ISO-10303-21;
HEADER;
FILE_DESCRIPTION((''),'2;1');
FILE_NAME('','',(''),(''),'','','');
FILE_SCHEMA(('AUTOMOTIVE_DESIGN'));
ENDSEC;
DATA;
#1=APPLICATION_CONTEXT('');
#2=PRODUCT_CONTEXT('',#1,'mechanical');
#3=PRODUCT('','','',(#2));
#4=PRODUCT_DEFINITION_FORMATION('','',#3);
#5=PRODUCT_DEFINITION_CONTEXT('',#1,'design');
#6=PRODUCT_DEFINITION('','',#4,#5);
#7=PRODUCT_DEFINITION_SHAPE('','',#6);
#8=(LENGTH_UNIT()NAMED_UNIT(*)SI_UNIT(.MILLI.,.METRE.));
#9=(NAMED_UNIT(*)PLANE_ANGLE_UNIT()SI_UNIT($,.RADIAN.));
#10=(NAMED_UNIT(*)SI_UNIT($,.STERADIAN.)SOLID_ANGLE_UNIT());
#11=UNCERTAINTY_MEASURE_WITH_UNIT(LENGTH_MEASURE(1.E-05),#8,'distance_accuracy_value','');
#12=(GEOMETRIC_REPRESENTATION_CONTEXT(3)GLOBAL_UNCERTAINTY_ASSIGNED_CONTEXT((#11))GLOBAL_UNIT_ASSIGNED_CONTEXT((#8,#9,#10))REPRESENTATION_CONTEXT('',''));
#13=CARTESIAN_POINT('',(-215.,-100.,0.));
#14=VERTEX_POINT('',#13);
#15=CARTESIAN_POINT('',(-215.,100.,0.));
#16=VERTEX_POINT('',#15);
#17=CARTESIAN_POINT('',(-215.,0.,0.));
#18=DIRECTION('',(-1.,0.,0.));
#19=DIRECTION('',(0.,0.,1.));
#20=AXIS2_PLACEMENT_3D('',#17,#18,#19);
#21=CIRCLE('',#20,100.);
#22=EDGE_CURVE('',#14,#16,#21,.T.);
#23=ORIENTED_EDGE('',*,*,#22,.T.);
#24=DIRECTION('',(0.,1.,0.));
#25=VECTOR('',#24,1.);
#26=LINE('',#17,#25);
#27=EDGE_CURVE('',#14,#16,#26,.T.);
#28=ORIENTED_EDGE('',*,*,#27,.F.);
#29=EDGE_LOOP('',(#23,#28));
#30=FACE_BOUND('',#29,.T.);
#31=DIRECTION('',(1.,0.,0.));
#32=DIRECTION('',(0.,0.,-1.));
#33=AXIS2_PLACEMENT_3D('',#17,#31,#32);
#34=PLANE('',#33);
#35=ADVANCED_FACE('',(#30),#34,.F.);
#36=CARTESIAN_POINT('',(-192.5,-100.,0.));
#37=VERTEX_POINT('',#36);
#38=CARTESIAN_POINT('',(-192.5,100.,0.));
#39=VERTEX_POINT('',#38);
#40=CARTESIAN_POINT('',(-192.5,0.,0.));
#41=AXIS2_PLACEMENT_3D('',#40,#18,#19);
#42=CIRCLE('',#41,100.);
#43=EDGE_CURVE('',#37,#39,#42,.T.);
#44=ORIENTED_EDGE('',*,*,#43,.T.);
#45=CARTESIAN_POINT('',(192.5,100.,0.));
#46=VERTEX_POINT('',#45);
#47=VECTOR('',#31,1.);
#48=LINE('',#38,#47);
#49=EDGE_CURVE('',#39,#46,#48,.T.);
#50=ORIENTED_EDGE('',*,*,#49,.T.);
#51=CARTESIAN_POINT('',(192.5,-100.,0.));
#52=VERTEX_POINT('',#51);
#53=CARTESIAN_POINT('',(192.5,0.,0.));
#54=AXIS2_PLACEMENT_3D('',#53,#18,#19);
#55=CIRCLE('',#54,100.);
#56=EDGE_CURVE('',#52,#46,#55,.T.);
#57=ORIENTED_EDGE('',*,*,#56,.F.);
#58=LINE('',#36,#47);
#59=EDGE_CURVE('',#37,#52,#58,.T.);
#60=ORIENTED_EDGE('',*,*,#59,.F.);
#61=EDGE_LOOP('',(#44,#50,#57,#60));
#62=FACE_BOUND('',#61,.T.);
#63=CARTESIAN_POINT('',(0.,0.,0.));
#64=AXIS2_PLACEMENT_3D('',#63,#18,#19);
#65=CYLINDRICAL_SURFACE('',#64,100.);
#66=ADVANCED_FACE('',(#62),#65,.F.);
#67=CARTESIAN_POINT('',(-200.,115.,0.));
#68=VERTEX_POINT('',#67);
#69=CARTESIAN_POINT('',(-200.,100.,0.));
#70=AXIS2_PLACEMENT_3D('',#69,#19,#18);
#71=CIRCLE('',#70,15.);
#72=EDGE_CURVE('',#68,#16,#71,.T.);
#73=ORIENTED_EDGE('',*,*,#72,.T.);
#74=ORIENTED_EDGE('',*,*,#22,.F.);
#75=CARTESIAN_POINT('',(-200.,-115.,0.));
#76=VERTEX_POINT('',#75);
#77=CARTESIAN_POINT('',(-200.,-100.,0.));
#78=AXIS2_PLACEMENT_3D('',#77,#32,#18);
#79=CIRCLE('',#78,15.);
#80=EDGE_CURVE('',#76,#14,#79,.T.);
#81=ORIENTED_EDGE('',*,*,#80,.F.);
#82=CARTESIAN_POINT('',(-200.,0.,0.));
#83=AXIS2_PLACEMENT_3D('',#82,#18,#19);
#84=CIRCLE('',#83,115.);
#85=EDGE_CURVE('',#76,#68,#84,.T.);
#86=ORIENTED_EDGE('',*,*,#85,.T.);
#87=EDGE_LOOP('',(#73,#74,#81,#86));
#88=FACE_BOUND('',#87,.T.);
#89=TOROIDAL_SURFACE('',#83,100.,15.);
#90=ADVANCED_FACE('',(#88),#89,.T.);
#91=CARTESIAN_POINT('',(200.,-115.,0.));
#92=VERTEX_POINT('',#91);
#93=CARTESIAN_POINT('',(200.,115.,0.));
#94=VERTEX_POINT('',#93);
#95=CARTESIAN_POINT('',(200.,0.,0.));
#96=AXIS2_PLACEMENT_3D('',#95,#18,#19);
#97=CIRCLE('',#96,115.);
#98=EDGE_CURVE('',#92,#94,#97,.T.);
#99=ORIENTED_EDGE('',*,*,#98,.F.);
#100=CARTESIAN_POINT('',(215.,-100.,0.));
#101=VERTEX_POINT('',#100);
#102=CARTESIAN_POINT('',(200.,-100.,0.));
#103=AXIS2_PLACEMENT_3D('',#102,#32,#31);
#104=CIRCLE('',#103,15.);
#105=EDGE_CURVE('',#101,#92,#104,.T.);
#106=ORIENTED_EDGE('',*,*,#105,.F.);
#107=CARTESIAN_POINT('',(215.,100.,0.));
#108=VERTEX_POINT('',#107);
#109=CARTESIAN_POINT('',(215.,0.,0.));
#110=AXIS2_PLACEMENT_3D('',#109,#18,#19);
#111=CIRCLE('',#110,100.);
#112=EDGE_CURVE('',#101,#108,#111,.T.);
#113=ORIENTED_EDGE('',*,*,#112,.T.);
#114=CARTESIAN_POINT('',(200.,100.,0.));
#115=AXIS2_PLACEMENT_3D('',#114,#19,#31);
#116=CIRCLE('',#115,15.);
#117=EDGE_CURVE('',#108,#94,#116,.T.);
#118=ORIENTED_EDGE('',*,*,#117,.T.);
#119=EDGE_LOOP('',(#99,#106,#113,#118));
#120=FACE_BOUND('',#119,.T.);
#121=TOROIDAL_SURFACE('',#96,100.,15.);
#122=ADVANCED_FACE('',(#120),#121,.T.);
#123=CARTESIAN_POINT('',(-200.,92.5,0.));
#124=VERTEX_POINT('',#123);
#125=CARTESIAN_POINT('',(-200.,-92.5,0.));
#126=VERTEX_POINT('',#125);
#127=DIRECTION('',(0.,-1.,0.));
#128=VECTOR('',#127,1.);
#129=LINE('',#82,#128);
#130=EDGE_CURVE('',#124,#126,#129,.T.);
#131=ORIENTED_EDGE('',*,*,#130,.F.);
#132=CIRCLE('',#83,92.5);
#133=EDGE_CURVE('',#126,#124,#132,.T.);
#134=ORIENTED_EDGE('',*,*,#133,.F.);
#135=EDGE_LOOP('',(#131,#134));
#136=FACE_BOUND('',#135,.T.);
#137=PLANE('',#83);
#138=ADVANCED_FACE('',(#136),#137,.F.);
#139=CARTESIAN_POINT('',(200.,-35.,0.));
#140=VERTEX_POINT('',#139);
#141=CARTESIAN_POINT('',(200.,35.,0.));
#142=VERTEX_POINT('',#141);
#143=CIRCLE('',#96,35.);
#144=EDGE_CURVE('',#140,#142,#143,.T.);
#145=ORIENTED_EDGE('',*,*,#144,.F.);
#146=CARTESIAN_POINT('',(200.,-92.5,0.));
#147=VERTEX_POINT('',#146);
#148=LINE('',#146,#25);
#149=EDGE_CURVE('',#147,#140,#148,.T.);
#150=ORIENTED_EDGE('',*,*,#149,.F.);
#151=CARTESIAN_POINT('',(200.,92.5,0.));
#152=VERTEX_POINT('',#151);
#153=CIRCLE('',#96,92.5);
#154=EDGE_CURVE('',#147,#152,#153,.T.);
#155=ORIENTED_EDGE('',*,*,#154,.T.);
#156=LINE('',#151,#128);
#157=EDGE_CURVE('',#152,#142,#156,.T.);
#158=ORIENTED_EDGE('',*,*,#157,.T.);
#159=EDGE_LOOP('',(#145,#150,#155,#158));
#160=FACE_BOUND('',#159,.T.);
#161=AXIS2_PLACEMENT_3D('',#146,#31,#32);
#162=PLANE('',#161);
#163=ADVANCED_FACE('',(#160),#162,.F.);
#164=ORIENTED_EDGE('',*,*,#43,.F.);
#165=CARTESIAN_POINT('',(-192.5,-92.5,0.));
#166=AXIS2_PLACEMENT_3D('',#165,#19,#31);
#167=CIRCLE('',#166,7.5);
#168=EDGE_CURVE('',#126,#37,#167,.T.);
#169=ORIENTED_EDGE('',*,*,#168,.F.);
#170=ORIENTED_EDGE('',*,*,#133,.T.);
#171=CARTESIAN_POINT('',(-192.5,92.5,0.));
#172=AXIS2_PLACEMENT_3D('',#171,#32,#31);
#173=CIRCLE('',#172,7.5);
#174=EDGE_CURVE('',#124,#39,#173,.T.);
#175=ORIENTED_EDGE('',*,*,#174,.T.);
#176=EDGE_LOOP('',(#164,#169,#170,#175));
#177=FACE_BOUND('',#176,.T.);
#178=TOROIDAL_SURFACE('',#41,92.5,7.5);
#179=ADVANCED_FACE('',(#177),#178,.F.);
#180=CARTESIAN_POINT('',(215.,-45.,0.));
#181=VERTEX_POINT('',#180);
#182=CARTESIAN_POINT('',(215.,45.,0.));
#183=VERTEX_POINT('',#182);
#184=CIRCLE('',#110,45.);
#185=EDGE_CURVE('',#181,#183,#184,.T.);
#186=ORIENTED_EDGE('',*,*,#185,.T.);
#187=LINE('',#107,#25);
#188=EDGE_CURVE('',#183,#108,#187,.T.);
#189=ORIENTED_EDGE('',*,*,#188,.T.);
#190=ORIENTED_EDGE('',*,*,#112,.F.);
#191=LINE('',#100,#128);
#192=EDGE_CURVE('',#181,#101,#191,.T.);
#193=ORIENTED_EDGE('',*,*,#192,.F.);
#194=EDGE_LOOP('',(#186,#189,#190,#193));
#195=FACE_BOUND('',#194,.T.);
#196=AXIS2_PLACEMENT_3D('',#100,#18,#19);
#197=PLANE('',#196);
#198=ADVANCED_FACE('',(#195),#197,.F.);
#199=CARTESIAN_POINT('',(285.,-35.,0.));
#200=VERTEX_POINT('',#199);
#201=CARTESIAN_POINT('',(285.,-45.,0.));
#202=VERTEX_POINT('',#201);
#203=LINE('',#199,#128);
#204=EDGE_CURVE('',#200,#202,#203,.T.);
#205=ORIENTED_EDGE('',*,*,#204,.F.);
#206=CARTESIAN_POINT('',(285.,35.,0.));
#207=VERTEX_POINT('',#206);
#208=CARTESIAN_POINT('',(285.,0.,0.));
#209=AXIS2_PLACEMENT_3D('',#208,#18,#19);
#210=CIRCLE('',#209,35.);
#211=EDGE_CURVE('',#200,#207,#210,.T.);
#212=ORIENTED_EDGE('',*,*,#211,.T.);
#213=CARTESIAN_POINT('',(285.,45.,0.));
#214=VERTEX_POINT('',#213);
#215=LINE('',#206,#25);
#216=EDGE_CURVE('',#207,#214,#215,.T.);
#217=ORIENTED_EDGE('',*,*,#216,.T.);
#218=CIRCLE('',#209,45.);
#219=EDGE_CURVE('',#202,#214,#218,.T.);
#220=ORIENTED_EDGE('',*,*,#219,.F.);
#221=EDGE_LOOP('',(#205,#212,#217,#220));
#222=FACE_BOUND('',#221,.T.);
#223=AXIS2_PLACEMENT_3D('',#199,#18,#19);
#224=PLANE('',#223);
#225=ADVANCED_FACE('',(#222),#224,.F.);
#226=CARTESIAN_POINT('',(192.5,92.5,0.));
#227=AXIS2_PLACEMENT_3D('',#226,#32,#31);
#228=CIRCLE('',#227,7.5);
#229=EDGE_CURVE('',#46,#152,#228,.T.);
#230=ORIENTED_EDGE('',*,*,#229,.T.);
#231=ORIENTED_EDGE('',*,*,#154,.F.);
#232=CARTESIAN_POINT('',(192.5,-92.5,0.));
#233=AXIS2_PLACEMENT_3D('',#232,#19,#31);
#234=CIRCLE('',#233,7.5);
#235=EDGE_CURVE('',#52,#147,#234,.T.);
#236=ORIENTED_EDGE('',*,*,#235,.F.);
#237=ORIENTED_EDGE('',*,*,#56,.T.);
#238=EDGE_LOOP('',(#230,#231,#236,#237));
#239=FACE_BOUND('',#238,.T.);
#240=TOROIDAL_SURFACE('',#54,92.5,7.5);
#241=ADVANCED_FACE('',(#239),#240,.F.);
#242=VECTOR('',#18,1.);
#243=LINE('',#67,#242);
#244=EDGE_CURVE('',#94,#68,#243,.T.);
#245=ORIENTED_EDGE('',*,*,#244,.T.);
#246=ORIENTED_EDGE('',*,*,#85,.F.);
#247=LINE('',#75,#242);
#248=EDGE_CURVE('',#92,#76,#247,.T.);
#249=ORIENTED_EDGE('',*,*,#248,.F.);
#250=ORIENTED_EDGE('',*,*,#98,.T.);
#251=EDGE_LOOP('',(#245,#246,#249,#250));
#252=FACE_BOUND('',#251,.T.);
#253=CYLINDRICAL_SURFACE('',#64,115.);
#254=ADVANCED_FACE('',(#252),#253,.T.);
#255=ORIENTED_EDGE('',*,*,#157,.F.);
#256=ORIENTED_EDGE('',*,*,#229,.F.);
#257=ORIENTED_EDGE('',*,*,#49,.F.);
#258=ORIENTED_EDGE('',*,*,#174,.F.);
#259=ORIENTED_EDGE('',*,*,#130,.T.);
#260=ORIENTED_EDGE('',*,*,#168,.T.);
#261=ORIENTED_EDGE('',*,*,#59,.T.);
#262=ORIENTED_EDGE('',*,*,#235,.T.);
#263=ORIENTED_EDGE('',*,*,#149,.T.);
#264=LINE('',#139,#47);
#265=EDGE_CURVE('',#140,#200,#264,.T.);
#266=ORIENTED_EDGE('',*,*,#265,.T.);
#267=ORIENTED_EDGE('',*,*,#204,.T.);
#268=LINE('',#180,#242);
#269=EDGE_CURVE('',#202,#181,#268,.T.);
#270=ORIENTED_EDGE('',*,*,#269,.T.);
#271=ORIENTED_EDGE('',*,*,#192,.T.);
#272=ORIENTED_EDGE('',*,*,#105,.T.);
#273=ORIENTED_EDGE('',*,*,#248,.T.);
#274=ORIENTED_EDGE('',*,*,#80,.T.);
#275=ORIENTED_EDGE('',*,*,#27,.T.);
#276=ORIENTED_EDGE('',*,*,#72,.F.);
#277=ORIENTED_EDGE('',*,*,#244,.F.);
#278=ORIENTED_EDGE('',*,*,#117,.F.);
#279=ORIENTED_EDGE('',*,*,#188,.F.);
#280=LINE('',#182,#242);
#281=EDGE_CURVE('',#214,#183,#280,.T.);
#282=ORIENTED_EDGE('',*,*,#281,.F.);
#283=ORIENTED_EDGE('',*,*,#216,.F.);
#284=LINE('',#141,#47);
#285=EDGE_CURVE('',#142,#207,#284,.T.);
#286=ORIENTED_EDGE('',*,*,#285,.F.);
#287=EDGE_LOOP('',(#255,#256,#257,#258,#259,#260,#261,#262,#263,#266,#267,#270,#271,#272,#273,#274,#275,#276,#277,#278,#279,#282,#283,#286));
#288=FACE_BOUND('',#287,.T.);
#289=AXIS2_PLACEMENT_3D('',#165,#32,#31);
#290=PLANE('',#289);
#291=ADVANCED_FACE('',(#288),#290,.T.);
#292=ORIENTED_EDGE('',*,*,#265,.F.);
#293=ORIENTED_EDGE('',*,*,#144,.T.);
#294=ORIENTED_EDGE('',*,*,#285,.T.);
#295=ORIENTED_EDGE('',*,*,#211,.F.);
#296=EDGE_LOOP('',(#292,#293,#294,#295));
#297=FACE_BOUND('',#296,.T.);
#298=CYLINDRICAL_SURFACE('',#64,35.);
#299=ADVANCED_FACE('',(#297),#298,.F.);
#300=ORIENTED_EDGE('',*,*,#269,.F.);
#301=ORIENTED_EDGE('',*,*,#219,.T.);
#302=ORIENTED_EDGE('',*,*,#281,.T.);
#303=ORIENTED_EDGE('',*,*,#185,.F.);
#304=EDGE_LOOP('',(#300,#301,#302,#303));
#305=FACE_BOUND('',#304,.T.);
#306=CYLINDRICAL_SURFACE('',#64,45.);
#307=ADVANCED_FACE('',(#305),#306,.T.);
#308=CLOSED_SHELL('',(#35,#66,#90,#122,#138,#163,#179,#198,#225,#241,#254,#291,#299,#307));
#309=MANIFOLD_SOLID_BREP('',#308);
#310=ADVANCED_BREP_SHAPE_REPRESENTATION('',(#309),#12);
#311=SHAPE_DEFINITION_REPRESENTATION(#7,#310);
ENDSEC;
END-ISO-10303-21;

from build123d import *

# Parameters (mm, degrees)
REVOLVE1_ANGLE = 180


with BuildPart() as part:
    # Sketch1 → Revolve1 (revolve)
    with BuildSketch(Plane.XY):
        with BuildLine():
            Line((-215, 0), (-215, 100))
            ThreePointArc((-215, 100), (-210.606601718, 110.606601718), (-200, 115))
            Line((-200, 115), (200, 115))
            ThreePointArc((200, 115), (210.606601718, 110.606601718), (215, 100))
            Line((215, 100), (215, 45))
            Line((215, 45), (285, 45))
            Line((285, 45), (285, 35))
            Line((285, 35), (200, 35))
            Line((200, 35), (200, 92.5))
            ThreePointArc((200, 92.5), (197.803300859, 97.803300859), (192.5, 100))
            Line((192.5, 100), (-192.5, 100))
            ThreePointArc((-192.5, 100), (-197.803300859, 97.803300859), (-200, 92.5))
            Line((-200, 92.5), (-200, 0))
            Line((-200, 0), (-215, 0))
        make_face()
    revolve(axis=Axis((0, 0, 0), (1, 0, 0)), revolution_arc=REVOLVE1_ANGLE)


solid = part.part
